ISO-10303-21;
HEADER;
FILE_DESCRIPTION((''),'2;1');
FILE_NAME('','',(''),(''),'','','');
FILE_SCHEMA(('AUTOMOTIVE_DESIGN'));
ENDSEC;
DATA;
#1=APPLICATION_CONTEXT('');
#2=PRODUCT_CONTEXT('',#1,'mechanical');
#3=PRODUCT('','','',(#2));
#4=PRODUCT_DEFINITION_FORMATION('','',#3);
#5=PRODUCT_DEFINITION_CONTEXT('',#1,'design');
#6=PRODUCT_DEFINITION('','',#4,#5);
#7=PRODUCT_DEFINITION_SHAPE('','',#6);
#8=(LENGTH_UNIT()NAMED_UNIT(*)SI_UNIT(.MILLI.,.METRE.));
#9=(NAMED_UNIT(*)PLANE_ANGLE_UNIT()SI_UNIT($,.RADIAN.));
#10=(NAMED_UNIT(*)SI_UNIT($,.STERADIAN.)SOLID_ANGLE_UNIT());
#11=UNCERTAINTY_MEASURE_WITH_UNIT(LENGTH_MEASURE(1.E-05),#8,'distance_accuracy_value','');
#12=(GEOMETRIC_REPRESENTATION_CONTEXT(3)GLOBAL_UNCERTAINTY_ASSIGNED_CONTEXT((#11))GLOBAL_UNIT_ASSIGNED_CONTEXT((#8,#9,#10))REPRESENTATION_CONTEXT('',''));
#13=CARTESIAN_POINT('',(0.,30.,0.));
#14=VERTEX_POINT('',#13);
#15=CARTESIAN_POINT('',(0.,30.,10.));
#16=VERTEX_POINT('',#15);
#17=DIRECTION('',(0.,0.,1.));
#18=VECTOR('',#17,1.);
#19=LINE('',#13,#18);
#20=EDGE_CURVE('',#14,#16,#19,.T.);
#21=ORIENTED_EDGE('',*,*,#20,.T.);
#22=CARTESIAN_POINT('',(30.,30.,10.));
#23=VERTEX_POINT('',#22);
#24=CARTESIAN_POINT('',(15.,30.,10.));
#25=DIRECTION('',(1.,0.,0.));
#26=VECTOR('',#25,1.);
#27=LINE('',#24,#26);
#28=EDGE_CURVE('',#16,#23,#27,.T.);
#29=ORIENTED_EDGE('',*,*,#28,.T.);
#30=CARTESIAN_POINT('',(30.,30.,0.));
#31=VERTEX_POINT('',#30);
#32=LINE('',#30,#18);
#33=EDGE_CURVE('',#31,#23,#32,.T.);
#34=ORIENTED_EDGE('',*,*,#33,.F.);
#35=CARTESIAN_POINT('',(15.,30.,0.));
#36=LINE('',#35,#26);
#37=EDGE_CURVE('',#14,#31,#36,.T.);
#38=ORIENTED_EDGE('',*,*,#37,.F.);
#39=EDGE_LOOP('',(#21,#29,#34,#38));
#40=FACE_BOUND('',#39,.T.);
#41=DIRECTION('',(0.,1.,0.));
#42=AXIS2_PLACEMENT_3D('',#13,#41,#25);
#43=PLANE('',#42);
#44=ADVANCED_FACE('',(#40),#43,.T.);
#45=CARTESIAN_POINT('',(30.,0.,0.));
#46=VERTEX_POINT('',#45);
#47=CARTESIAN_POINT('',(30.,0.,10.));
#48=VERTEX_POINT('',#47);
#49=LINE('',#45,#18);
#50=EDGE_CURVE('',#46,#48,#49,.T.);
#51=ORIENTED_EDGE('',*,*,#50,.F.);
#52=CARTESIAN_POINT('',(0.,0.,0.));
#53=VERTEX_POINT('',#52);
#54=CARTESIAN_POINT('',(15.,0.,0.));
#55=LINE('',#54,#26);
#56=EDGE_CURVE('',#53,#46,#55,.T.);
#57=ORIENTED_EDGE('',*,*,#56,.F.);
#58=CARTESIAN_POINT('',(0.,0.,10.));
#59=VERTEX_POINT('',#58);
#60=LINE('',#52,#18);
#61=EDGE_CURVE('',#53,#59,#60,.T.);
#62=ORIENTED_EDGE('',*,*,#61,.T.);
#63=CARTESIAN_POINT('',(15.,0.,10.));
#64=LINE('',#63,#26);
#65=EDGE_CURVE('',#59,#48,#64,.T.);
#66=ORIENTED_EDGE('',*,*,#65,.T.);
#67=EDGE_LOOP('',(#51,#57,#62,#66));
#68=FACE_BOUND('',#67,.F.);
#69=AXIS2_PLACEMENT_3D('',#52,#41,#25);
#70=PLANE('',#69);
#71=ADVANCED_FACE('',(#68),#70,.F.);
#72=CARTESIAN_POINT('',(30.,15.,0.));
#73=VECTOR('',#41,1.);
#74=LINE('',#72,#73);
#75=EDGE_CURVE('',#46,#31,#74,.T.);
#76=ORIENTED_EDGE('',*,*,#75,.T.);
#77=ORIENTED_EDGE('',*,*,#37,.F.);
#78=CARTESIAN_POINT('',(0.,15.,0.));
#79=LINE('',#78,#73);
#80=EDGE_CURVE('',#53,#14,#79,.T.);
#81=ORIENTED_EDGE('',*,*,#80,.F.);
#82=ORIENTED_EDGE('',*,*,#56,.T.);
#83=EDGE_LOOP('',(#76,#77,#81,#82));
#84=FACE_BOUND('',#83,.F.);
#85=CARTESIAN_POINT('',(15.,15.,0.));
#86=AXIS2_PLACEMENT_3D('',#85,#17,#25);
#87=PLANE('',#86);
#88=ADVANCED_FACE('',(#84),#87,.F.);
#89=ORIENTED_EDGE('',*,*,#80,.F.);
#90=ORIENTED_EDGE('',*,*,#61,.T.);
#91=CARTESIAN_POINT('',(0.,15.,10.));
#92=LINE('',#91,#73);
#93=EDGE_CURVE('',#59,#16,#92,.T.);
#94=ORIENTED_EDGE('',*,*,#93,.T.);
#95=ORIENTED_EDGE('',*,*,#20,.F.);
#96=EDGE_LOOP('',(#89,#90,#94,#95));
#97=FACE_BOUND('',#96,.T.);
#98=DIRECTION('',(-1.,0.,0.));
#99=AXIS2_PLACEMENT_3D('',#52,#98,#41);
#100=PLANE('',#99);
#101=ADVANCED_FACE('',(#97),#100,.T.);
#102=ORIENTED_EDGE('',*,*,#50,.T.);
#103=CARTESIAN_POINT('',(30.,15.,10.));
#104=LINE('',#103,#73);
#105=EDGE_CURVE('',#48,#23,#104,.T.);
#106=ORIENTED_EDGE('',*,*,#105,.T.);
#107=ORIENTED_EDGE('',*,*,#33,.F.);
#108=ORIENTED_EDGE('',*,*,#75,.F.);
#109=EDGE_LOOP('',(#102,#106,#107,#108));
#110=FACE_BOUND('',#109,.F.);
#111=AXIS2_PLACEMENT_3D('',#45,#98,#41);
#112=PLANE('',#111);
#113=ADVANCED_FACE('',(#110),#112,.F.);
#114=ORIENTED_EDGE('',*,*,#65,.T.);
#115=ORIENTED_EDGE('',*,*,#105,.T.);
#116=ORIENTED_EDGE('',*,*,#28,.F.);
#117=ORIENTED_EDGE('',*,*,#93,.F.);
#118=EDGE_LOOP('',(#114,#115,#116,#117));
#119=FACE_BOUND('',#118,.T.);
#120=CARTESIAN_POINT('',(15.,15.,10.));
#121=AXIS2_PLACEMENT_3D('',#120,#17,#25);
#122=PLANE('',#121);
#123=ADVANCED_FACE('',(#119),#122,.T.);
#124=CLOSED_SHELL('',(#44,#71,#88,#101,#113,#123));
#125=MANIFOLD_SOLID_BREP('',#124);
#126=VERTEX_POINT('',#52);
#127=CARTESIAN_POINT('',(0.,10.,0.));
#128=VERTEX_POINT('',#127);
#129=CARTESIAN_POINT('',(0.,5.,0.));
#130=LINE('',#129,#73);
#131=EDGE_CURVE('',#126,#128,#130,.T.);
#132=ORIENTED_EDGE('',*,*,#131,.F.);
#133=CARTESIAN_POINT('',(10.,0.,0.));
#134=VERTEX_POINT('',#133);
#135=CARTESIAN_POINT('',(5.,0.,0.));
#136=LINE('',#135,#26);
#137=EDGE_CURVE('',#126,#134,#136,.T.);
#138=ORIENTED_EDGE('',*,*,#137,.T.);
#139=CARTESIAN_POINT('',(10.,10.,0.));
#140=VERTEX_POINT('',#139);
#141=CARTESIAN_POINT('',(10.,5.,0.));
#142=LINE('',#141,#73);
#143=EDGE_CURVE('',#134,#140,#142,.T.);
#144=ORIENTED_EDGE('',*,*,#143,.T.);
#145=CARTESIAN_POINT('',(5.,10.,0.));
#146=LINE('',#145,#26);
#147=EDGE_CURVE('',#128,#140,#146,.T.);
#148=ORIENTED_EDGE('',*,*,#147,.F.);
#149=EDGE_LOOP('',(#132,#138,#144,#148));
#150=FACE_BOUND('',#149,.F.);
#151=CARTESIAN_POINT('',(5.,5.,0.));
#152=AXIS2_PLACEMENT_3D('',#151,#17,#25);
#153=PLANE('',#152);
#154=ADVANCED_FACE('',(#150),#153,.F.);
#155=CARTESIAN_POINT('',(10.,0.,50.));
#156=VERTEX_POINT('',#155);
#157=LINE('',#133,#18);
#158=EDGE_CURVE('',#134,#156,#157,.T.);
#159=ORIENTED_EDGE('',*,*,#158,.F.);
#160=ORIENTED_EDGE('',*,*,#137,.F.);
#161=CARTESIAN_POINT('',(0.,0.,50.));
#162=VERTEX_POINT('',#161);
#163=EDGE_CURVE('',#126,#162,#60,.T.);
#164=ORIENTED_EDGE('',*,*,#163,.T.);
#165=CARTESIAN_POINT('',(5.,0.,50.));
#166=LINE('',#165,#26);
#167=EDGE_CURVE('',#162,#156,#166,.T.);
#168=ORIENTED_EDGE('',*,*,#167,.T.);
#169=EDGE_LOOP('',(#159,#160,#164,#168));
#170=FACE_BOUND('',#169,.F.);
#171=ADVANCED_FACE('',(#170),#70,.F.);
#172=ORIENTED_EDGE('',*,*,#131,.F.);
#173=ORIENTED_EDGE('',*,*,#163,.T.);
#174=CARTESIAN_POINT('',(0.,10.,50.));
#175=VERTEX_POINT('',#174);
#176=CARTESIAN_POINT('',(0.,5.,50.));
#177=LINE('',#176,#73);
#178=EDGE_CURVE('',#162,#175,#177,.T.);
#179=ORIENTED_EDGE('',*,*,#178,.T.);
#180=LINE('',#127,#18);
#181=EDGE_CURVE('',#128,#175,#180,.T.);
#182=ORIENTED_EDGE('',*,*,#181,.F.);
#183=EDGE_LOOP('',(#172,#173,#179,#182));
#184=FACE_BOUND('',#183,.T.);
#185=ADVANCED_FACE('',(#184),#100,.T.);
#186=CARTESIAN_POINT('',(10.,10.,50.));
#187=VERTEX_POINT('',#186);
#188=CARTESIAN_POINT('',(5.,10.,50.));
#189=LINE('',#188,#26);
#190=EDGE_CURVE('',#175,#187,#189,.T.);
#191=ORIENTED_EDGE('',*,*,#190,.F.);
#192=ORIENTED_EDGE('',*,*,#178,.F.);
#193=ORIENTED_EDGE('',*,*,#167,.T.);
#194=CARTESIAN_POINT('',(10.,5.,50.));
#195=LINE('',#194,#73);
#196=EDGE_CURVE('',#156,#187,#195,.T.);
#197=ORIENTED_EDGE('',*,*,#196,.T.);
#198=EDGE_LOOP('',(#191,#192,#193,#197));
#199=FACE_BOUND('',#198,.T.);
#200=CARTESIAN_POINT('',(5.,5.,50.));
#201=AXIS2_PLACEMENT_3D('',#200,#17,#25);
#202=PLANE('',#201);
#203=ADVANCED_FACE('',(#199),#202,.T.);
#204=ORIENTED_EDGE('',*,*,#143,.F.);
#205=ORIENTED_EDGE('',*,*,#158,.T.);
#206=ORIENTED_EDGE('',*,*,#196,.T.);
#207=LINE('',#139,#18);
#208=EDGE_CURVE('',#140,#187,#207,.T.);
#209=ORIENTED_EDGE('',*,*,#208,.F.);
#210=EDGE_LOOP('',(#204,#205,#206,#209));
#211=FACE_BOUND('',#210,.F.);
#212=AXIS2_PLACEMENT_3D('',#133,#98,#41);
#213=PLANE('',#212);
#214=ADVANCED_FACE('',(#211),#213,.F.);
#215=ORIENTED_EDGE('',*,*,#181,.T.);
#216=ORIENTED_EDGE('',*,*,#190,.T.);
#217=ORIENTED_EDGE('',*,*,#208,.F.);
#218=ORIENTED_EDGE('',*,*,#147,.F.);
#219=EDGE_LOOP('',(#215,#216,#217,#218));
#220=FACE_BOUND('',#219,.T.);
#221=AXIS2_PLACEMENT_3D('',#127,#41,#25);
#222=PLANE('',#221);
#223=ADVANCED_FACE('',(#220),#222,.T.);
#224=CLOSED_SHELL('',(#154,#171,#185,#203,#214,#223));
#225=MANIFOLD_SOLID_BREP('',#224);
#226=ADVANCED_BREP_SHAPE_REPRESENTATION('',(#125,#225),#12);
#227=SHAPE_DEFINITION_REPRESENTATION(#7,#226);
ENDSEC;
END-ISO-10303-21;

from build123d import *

# Parameters (mm, degrees)
BOX_W        = 30
BOX_H        = 30
BOX_DEPTH    = 10
BOX001_W     = 10
BOX001_H     = 10
BOX001_DEPTH = 50


with BuildPart() as el_meu_cub:
    # Box → Box (new body)
    with BuildSketch(Plane.XY):
        with Locations((15, 15)):
            Rectangle(BOX_W, BOX_H)
    extrude(amount=BOX_DEPTH)


with BuildPart() as cube_int:
    # Box001 → Box001 (new body)
    with BuildSketch(Plane.XY):
        with Locations((5, 5)):
            Rectangle(BOX001_W, BOX001_H)
    extrude(amount=BOX001_DEPTH)


solid = Compound([el_meu_cub.part, cube_int.part])
